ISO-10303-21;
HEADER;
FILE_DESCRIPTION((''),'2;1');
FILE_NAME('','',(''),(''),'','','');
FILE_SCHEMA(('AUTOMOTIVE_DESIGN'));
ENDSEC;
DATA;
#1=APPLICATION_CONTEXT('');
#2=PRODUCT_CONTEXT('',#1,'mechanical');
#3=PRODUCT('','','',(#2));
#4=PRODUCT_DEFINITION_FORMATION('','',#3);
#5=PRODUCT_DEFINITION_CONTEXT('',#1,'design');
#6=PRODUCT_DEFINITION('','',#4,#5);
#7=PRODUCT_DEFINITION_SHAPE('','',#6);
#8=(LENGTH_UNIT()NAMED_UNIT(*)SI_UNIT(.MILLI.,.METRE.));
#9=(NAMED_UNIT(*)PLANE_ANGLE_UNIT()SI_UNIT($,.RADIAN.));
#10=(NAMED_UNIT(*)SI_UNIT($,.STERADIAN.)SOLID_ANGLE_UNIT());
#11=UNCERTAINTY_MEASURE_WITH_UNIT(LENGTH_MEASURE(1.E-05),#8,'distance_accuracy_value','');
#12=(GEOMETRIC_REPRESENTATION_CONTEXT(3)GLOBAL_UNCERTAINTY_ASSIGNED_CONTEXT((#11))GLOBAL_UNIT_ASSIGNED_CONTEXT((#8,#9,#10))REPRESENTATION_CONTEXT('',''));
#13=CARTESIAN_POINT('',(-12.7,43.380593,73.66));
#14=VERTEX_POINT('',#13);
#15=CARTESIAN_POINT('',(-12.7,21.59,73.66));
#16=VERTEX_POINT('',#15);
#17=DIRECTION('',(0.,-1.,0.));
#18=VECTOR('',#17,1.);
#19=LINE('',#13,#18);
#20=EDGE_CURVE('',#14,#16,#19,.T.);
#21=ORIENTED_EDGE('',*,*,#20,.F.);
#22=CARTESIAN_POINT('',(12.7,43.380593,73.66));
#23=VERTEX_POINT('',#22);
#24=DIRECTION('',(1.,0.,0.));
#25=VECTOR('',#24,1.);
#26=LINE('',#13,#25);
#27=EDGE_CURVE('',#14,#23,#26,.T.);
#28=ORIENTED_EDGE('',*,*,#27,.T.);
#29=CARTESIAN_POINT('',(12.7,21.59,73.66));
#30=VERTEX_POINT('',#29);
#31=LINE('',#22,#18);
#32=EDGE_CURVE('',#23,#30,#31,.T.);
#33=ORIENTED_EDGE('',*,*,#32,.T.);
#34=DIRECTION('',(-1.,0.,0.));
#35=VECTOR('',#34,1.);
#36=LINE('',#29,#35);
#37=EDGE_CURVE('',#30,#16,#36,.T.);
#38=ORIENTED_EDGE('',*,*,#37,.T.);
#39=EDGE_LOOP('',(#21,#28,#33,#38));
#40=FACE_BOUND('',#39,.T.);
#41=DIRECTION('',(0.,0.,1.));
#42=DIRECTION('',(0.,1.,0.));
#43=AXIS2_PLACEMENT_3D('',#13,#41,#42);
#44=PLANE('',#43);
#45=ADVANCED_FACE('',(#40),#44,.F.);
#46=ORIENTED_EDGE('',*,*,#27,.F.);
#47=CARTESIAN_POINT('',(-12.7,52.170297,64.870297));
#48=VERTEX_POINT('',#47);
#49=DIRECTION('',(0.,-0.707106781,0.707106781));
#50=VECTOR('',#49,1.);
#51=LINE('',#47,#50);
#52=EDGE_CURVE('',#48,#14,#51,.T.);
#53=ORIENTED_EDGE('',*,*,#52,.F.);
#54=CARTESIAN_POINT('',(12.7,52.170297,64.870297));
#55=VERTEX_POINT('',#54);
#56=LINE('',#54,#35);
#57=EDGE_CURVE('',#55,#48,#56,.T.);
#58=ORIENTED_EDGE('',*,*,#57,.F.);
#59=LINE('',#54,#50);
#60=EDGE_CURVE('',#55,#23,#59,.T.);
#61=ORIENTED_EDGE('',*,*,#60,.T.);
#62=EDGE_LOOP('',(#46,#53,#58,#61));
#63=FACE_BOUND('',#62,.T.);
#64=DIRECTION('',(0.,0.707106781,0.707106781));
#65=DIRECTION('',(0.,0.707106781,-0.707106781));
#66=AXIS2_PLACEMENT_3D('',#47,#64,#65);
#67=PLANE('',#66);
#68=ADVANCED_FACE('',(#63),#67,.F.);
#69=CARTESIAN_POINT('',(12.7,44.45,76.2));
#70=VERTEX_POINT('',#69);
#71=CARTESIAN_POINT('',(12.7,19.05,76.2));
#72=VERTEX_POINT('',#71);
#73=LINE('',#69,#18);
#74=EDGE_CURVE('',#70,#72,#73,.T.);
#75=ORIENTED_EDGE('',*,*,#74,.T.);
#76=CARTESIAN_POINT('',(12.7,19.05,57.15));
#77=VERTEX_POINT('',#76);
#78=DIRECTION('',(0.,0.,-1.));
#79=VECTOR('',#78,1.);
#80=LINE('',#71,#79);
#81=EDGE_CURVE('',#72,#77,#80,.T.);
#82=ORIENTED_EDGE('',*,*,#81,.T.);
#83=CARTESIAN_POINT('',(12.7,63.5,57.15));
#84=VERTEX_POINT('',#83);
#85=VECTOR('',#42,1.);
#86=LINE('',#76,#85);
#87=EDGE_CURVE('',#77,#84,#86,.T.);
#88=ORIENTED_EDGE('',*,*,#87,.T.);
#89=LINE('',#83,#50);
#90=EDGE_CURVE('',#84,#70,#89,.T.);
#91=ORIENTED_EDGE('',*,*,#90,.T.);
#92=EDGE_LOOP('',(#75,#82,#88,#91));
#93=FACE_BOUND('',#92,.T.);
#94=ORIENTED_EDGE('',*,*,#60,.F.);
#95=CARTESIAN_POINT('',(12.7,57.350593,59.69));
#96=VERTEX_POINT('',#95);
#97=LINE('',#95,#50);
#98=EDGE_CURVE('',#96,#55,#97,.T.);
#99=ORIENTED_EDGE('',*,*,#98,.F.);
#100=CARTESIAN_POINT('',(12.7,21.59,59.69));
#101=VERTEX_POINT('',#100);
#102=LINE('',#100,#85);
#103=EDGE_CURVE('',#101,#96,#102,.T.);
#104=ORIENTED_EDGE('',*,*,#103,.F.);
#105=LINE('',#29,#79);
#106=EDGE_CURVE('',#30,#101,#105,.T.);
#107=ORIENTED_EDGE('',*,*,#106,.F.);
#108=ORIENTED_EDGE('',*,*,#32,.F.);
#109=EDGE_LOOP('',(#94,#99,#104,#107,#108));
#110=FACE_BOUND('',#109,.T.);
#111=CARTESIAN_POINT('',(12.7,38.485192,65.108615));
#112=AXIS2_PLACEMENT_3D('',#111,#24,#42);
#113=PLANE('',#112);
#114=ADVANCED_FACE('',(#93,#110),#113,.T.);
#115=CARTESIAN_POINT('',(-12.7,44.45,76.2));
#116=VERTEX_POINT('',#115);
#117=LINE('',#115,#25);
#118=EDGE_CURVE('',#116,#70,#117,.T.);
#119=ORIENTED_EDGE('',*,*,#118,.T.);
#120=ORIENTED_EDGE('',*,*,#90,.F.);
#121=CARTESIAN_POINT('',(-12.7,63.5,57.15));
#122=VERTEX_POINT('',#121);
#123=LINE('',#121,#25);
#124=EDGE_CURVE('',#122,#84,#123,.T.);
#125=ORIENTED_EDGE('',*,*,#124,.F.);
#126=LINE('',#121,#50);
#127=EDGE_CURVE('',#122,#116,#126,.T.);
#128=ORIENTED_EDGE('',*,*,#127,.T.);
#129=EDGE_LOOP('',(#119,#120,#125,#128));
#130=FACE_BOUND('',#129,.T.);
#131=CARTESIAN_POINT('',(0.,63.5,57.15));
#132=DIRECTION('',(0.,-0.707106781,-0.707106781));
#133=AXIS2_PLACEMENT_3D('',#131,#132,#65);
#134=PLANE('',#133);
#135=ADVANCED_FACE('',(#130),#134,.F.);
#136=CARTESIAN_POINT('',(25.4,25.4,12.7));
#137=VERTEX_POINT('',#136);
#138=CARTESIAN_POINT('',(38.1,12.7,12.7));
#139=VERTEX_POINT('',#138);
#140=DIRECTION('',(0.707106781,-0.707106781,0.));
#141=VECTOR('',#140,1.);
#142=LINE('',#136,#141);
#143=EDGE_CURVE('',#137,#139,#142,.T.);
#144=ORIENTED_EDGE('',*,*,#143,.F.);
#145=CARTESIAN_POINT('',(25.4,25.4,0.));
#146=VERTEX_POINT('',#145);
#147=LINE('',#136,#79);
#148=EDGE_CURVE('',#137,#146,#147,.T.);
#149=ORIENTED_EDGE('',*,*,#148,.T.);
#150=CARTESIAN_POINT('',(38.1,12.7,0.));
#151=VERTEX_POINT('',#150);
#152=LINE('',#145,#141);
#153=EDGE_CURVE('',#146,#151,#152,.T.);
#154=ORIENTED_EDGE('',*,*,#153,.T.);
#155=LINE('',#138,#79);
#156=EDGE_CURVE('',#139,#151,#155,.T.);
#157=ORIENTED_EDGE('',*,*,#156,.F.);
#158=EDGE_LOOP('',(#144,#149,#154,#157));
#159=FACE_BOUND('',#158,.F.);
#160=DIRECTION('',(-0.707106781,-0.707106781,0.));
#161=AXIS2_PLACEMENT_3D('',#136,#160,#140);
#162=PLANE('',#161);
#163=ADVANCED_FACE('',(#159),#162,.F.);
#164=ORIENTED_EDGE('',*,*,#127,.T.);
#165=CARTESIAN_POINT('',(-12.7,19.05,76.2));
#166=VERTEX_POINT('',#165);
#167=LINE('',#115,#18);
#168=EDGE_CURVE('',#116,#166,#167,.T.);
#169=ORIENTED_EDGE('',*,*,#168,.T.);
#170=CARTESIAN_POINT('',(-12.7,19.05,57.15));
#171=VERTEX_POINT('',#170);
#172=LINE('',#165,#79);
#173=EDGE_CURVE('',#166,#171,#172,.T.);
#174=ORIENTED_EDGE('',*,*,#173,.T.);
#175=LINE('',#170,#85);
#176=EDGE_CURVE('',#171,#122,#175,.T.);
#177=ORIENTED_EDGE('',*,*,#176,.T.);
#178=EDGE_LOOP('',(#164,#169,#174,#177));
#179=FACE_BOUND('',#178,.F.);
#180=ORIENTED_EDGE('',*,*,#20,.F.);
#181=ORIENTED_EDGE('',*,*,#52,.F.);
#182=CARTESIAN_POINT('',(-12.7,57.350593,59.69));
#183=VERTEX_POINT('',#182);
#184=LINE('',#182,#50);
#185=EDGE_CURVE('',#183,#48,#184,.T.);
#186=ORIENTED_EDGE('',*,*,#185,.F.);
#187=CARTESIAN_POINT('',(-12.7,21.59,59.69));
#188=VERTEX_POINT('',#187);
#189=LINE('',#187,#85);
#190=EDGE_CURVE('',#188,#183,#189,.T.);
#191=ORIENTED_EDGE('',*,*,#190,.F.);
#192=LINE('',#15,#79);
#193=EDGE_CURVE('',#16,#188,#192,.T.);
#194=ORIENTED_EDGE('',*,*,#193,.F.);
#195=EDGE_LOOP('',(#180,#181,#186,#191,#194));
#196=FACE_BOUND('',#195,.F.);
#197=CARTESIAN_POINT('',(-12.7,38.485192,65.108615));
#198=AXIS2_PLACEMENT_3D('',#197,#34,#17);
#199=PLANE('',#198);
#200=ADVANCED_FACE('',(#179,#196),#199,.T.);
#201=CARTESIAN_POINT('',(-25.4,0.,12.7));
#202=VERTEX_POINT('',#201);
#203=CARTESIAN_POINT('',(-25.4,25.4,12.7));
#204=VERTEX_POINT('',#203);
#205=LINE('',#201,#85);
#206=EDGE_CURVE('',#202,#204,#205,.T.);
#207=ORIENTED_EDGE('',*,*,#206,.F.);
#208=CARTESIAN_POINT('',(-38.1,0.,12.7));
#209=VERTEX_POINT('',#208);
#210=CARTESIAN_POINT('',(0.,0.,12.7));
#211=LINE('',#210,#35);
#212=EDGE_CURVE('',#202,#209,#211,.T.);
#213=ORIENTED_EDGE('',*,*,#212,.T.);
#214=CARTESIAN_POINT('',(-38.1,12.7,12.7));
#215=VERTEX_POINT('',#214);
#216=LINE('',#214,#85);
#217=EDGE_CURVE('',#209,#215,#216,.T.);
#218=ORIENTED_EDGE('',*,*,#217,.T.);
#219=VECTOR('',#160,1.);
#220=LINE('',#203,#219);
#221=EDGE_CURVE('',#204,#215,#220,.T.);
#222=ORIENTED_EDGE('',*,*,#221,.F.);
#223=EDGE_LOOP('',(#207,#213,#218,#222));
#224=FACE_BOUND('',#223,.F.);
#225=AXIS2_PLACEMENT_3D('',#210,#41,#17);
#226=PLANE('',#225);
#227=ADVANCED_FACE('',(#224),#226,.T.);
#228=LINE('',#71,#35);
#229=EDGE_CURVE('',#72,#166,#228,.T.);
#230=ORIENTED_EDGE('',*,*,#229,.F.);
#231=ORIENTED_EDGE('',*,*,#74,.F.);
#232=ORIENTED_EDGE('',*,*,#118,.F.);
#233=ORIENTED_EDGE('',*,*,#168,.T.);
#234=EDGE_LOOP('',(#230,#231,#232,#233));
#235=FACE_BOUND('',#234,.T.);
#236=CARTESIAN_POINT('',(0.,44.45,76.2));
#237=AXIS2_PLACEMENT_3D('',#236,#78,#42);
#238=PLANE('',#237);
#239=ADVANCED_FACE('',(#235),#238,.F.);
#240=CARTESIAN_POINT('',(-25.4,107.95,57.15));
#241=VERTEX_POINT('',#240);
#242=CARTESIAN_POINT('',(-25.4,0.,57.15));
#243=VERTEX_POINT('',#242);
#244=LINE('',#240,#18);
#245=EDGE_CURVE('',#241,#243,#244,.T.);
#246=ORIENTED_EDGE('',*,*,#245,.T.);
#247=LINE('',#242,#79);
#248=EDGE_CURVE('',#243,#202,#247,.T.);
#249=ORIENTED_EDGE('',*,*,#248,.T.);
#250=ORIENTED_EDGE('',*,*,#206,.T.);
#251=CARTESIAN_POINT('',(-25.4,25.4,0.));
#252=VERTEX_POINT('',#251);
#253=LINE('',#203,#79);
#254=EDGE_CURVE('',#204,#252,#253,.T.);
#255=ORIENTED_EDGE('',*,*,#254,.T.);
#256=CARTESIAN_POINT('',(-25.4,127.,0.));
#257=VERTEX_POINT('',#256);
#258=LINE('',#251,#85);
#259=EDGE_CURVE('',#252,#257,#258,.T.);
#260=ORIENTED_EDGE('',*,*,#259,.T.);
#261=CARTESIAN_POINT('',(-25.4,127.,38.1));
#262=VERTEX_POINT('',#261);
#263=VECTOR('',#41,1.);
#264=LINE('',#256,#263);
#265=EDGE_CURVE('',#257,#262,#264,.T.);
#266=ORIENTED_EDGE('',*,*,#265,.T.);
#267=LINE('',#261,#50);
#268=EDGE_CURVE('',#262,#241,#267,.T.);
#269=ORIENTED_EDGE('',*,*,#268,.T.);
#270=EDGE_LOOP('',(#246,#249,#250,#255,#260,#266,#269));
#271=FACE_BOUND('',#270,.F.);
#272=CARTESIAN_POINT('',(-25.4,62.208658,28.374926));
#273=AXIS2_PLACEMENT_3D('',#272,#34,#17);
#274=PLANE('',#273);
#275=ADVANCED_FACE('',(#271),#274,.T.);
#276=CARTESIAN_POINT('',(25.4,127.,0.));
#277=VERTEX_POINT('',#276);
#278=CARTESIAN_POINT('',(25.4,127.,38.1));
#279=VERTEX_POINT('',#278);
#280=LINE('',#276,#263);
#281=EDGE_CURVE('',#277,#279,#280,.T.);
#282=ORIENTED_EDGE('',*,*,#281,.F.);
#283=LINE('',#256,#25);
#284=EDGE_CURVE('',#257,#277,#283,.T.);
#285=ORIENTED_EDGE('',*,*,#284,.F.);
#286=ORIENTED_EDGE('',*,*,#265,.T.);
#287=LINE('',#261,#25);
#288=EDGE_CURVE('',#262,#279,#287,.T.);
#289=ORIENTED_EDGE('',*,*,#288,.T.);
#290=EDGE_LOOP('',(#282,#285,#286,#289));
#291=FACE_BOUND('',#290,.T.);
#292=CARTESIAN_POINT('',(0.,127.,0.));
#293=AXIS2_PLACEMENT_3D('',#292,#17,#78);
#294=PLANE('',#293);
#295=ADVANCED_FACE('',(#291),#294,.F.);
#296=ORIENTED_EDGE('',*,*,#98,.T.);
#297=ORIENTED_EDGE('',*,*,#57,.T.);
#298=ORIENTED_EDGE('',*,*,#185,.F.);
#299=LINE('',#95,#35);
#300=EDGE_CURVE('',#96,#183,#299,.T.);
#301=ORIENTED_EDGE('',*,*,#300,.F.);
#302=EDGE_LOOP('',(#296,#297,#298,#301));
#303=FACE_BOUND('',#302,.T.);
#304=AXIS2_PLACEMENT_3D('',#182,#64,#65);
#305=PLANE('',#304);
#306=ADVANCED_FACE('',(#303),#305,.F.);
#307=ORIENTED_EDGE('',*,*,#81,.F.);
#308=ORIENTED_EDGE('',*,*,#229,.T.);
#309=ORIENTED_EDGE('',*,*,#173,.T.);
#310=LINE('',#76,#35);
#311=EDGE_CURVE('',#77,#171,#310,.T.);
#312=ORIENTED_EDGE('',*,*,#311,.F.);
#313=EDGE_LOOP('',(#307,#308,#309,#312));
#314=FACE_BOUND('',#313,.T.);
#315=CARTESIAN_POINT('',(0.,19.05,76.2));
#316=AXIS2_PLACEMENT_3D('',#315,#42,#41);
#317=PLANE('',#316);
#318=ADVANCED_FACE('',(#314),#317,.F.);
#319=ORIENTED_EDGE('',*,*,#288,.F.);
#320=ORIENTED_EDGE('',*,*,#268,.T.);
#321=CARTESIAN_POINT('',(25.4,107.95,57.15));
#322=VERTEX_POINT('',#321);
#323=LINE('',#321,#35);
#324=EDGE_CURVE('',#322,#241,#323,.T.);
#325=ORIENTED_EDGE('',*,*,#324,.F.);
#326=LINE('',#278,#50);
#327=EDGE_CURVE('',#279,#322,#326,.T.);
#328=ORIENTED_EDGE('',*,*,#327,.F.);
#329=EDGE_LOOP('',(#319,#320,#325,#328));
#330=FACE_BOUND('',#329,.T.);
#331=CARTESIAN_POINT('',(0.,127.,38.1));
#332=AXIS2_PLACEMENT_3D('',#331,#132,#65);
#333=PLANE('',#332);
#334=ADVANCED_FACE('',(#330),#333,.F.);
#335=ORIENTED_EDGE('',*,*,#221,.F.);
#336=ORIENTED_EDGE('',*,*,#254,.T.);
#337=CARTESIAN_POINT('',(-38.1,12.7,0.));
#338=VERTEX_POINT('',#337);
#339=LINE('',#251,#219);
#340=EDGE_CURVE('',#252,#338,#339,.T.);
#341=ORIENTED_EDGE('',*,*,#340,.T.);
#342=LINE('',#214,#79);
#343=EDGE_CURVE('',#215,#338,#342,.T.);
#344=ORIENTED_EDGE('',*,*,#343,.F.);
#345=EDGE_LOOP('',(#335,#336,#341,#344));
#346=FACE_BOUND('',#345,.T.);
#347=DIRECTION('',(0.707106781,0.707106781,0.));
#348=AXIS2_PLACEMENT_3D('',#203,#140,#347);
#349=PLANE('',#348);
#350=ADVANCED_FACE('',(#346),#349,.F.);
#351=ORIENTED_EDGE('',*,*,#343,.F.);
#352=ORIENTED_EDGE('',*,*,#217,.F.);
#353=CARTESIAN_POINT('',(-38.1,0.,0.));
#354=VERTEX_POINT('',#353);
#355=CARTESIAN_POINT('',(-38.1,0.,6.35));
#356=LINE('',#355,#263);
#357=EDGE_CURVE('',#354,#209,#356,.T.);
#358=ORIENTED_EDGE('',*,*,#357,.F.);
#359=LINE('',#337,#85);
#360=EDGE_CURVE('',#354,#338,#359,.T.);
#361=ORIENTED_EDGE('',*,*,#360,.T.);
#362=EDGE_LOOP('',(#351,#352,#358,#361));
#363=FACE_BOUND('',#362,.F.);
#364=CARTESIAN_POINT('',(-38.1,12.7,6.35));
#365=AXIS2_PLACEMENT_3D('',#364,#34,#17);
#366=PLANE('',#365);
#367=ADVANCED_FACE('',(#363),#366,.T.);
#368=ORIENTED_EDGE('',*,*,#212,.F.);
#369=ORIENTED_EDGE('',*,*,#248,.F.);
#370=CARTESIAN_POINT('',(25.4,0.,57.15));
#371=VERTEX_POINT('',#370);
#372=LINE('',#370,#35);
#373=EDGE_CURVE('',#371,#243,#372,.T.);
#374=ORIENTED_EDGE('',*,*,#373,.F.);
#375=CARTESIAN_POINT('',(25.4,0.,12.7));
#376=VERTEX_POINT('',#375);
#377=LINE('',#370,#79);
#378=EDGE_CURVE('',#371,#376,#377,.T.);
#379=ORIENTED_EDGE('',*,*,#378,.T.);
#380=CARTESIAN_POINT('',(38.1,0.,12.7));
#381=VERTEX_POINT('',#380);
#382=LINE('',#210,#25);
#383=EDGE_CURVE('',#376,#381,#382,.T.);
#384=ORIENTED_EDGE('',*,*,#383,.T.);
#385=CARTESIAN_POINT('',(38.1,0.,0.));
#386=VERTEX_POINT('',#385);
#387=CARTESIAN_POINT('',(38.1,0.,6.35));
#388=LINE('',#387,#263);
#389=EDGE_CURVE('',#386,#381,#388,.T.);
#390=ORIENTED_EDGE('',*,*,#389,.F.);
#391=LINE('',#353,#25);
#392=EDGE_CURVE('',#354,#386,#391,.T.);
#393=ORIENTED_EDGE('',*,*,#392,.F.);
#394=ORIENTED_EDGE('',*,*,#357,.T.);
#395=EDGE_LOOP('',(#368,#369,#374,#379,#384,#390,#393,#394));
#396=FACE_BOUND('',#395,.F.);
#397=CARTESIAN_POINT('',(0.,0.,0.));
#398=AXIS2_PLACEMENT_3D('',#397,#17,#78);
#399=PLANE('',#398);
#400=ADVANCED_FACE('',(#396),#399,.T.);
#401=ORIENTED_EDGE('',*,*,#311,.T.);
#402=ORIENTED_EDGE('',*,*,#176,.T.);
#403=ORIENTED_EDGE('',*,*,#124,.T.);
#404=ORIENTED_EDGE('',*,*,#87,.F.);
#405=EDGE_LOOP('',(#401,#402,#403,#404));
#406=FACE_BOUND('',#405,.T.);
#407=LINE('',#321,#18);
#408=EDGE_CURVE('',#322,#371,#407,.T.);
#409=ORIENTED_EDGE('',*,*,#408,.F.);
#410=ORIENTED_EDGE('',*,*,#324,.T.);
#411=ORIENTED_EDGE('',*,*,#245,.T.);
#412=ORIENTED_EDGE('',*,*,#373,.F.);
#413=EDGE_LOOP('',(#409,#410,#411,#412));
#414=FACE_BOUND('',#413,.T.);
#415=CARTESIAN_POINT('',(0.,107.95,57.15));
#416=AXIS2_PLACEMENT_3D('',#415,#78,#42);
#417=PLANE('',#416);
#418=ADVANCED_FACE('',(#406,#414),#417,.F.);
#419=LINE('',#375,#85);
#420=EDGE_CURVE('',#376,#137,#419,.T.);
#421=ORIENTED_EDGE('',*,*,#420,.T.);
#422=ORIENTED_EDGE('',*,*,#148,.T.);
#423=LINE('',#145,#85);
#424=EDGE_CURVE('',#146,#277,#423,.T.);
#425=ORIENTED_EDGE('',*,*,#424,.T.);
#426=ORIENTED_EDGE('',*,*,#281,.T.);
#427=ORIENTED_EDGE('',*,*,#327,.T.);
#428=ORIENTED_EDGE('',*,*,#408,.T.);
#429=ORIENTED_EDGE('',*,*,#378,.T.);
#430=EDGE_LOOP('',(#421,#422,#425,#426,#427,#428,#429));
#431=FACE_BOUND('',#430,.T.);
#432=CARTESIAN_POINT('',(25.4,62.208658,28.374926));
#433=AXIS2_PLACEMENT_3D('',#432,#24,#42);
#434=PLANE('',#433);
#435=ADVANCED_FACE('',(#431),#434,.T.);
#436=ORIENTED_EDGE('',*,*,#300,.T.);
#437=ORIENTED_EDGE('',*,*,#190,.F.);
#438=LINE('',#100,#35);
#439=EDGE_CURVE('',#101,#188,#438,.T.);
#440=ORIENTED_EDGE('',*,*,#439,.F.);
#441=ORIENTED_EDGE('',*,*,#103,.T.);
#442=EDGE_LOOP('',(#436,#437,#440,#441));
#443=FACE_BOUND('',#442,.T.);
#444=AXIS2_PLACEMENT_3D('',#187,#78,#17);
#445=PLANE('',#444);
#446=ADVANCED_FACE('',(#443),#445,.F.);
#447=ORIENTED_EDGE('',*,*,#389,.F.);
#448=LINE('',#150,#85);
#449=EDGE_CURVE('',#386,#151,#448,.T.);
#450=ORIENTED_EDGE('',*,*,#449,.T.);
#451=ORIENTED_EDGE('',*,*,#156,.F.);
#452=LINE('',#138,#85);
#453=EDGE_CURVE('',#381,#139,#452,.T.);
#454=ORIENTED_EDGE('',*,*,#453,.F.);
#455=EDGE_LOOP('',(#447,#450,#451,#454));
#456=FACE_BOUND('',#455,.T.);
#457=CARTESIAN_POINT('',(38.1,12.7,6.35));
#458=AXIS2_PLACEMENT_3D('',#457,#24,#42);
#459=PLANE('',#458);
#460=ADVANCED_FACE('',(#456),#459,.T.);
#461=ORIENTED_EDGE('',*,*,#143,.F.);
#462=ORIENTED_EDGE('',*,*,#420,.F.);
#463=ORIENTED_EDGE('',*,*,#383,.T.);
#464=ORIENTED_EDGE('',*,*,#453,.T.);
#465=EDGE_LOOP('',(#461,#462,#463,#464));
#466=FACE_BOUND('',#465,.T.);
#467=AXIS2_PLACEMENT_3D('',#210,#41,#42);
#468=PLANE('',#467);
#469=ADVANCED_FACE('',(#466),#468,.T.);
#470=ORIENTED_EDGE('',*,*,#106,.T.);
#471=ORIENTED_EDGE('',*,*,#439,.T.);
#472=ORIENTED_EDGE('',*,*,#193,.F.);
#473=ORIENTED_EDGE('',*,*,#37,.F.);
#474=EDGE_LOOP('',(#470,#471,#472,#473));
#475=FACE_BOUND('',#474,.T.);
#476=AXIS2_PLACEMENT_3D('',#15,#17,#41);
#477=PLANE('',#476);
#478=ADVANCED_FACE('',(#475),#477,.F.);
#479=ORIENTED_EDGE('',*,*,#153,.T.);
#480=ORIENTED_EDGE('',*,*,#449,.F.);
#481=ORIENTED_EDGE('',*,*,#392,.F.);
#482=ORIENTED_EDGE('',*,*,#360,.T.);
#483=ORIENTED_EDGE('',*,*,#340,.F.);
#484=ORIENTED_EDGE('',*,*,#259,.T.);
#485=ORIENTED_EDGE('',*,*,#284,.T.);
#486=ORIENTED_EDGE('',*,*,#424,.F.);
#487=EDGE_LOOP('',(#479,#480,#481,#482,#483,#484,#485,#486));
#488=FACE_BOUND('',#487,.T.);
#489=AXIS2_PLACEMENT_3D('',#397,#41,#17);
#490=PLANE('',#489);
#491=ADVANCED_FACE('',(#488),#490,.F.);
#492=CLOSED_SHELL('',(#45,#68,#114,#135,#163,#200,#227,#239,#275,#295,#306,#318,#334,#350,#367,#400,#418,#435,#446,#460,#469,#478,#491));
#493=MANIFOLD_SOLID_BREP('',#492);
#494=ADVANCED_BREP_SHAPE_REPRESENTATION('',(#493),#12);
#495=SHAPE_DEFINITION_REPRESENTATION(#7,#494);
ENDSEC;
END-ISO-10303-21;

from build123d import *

# Parameters (mm, degrees)
F1_DEPTH = 25.4
F0_W     = 25.4
F0_H     = 12.7
F2_DEPTH = 38.1
F3_DEPTH = 12.7
F5_DEPTH = 12.7
F7_DEPTH = 12.7


with BuildPart() as f1:
    # F0 (on Right) → F1 (new body)
    with BuildSketch(Plane.YZ):
        Polygon((25.4, 12.7), (25.4, 0), (127, 0), (127, 38.1), (107.95, 57.15), (63.5, 57.15), (19.05, 57.15), (0, 57.15), (0, 12.7), align=None)
    extrude(amount=F1_DEPTH)

    # F0 (on Right) → F2 (join)
    with BuildSketch(Plane.YZ):
        with Locations((12.7, 6.35)):
            Rectangle(F0_W, F0_H)
    extrude(amount=F2_DEPTH)

    # F0 (on Right) → F3 (join)
    with BuildSketch(Plane.YZ):
        Polygon((19.05, 76.2), (19.05, 57.15), (63.5, 57.15), (44.45, 76.2), align=None)
    extrude(amount=F3_DEPTH)

    # F4 (on face) → F5 (cut)
    with BuildSketch(Plane.XY.offset(12.7)):
        Polygon((25.4, 25.4), (38.1, 12.7), (38.1, 25.4), align=None)
    extrude(amount=-F5_DEPTH, mode=Mode.SUBTRACT)

    # F6 (on face) → F7 (cut)
    with BuildSketch(Plane.YZ.offset(12.7)):
        Polygon((43.3805931771, 73.66), (21.59, 73.66), (21.59, 59.69), (57.3505931771, 59.69), (52.1702965885, 64.8702965885), align=None)
    extrude(amount=-F7_DEPTH, mode=Mode.SUBTRACT)

    # F8: F1 across plane


with BuildPart() as f1_1:
    add(f1.part)
    add(f1.part.mirror(Plane.YZ))


solid = f1_1.part
